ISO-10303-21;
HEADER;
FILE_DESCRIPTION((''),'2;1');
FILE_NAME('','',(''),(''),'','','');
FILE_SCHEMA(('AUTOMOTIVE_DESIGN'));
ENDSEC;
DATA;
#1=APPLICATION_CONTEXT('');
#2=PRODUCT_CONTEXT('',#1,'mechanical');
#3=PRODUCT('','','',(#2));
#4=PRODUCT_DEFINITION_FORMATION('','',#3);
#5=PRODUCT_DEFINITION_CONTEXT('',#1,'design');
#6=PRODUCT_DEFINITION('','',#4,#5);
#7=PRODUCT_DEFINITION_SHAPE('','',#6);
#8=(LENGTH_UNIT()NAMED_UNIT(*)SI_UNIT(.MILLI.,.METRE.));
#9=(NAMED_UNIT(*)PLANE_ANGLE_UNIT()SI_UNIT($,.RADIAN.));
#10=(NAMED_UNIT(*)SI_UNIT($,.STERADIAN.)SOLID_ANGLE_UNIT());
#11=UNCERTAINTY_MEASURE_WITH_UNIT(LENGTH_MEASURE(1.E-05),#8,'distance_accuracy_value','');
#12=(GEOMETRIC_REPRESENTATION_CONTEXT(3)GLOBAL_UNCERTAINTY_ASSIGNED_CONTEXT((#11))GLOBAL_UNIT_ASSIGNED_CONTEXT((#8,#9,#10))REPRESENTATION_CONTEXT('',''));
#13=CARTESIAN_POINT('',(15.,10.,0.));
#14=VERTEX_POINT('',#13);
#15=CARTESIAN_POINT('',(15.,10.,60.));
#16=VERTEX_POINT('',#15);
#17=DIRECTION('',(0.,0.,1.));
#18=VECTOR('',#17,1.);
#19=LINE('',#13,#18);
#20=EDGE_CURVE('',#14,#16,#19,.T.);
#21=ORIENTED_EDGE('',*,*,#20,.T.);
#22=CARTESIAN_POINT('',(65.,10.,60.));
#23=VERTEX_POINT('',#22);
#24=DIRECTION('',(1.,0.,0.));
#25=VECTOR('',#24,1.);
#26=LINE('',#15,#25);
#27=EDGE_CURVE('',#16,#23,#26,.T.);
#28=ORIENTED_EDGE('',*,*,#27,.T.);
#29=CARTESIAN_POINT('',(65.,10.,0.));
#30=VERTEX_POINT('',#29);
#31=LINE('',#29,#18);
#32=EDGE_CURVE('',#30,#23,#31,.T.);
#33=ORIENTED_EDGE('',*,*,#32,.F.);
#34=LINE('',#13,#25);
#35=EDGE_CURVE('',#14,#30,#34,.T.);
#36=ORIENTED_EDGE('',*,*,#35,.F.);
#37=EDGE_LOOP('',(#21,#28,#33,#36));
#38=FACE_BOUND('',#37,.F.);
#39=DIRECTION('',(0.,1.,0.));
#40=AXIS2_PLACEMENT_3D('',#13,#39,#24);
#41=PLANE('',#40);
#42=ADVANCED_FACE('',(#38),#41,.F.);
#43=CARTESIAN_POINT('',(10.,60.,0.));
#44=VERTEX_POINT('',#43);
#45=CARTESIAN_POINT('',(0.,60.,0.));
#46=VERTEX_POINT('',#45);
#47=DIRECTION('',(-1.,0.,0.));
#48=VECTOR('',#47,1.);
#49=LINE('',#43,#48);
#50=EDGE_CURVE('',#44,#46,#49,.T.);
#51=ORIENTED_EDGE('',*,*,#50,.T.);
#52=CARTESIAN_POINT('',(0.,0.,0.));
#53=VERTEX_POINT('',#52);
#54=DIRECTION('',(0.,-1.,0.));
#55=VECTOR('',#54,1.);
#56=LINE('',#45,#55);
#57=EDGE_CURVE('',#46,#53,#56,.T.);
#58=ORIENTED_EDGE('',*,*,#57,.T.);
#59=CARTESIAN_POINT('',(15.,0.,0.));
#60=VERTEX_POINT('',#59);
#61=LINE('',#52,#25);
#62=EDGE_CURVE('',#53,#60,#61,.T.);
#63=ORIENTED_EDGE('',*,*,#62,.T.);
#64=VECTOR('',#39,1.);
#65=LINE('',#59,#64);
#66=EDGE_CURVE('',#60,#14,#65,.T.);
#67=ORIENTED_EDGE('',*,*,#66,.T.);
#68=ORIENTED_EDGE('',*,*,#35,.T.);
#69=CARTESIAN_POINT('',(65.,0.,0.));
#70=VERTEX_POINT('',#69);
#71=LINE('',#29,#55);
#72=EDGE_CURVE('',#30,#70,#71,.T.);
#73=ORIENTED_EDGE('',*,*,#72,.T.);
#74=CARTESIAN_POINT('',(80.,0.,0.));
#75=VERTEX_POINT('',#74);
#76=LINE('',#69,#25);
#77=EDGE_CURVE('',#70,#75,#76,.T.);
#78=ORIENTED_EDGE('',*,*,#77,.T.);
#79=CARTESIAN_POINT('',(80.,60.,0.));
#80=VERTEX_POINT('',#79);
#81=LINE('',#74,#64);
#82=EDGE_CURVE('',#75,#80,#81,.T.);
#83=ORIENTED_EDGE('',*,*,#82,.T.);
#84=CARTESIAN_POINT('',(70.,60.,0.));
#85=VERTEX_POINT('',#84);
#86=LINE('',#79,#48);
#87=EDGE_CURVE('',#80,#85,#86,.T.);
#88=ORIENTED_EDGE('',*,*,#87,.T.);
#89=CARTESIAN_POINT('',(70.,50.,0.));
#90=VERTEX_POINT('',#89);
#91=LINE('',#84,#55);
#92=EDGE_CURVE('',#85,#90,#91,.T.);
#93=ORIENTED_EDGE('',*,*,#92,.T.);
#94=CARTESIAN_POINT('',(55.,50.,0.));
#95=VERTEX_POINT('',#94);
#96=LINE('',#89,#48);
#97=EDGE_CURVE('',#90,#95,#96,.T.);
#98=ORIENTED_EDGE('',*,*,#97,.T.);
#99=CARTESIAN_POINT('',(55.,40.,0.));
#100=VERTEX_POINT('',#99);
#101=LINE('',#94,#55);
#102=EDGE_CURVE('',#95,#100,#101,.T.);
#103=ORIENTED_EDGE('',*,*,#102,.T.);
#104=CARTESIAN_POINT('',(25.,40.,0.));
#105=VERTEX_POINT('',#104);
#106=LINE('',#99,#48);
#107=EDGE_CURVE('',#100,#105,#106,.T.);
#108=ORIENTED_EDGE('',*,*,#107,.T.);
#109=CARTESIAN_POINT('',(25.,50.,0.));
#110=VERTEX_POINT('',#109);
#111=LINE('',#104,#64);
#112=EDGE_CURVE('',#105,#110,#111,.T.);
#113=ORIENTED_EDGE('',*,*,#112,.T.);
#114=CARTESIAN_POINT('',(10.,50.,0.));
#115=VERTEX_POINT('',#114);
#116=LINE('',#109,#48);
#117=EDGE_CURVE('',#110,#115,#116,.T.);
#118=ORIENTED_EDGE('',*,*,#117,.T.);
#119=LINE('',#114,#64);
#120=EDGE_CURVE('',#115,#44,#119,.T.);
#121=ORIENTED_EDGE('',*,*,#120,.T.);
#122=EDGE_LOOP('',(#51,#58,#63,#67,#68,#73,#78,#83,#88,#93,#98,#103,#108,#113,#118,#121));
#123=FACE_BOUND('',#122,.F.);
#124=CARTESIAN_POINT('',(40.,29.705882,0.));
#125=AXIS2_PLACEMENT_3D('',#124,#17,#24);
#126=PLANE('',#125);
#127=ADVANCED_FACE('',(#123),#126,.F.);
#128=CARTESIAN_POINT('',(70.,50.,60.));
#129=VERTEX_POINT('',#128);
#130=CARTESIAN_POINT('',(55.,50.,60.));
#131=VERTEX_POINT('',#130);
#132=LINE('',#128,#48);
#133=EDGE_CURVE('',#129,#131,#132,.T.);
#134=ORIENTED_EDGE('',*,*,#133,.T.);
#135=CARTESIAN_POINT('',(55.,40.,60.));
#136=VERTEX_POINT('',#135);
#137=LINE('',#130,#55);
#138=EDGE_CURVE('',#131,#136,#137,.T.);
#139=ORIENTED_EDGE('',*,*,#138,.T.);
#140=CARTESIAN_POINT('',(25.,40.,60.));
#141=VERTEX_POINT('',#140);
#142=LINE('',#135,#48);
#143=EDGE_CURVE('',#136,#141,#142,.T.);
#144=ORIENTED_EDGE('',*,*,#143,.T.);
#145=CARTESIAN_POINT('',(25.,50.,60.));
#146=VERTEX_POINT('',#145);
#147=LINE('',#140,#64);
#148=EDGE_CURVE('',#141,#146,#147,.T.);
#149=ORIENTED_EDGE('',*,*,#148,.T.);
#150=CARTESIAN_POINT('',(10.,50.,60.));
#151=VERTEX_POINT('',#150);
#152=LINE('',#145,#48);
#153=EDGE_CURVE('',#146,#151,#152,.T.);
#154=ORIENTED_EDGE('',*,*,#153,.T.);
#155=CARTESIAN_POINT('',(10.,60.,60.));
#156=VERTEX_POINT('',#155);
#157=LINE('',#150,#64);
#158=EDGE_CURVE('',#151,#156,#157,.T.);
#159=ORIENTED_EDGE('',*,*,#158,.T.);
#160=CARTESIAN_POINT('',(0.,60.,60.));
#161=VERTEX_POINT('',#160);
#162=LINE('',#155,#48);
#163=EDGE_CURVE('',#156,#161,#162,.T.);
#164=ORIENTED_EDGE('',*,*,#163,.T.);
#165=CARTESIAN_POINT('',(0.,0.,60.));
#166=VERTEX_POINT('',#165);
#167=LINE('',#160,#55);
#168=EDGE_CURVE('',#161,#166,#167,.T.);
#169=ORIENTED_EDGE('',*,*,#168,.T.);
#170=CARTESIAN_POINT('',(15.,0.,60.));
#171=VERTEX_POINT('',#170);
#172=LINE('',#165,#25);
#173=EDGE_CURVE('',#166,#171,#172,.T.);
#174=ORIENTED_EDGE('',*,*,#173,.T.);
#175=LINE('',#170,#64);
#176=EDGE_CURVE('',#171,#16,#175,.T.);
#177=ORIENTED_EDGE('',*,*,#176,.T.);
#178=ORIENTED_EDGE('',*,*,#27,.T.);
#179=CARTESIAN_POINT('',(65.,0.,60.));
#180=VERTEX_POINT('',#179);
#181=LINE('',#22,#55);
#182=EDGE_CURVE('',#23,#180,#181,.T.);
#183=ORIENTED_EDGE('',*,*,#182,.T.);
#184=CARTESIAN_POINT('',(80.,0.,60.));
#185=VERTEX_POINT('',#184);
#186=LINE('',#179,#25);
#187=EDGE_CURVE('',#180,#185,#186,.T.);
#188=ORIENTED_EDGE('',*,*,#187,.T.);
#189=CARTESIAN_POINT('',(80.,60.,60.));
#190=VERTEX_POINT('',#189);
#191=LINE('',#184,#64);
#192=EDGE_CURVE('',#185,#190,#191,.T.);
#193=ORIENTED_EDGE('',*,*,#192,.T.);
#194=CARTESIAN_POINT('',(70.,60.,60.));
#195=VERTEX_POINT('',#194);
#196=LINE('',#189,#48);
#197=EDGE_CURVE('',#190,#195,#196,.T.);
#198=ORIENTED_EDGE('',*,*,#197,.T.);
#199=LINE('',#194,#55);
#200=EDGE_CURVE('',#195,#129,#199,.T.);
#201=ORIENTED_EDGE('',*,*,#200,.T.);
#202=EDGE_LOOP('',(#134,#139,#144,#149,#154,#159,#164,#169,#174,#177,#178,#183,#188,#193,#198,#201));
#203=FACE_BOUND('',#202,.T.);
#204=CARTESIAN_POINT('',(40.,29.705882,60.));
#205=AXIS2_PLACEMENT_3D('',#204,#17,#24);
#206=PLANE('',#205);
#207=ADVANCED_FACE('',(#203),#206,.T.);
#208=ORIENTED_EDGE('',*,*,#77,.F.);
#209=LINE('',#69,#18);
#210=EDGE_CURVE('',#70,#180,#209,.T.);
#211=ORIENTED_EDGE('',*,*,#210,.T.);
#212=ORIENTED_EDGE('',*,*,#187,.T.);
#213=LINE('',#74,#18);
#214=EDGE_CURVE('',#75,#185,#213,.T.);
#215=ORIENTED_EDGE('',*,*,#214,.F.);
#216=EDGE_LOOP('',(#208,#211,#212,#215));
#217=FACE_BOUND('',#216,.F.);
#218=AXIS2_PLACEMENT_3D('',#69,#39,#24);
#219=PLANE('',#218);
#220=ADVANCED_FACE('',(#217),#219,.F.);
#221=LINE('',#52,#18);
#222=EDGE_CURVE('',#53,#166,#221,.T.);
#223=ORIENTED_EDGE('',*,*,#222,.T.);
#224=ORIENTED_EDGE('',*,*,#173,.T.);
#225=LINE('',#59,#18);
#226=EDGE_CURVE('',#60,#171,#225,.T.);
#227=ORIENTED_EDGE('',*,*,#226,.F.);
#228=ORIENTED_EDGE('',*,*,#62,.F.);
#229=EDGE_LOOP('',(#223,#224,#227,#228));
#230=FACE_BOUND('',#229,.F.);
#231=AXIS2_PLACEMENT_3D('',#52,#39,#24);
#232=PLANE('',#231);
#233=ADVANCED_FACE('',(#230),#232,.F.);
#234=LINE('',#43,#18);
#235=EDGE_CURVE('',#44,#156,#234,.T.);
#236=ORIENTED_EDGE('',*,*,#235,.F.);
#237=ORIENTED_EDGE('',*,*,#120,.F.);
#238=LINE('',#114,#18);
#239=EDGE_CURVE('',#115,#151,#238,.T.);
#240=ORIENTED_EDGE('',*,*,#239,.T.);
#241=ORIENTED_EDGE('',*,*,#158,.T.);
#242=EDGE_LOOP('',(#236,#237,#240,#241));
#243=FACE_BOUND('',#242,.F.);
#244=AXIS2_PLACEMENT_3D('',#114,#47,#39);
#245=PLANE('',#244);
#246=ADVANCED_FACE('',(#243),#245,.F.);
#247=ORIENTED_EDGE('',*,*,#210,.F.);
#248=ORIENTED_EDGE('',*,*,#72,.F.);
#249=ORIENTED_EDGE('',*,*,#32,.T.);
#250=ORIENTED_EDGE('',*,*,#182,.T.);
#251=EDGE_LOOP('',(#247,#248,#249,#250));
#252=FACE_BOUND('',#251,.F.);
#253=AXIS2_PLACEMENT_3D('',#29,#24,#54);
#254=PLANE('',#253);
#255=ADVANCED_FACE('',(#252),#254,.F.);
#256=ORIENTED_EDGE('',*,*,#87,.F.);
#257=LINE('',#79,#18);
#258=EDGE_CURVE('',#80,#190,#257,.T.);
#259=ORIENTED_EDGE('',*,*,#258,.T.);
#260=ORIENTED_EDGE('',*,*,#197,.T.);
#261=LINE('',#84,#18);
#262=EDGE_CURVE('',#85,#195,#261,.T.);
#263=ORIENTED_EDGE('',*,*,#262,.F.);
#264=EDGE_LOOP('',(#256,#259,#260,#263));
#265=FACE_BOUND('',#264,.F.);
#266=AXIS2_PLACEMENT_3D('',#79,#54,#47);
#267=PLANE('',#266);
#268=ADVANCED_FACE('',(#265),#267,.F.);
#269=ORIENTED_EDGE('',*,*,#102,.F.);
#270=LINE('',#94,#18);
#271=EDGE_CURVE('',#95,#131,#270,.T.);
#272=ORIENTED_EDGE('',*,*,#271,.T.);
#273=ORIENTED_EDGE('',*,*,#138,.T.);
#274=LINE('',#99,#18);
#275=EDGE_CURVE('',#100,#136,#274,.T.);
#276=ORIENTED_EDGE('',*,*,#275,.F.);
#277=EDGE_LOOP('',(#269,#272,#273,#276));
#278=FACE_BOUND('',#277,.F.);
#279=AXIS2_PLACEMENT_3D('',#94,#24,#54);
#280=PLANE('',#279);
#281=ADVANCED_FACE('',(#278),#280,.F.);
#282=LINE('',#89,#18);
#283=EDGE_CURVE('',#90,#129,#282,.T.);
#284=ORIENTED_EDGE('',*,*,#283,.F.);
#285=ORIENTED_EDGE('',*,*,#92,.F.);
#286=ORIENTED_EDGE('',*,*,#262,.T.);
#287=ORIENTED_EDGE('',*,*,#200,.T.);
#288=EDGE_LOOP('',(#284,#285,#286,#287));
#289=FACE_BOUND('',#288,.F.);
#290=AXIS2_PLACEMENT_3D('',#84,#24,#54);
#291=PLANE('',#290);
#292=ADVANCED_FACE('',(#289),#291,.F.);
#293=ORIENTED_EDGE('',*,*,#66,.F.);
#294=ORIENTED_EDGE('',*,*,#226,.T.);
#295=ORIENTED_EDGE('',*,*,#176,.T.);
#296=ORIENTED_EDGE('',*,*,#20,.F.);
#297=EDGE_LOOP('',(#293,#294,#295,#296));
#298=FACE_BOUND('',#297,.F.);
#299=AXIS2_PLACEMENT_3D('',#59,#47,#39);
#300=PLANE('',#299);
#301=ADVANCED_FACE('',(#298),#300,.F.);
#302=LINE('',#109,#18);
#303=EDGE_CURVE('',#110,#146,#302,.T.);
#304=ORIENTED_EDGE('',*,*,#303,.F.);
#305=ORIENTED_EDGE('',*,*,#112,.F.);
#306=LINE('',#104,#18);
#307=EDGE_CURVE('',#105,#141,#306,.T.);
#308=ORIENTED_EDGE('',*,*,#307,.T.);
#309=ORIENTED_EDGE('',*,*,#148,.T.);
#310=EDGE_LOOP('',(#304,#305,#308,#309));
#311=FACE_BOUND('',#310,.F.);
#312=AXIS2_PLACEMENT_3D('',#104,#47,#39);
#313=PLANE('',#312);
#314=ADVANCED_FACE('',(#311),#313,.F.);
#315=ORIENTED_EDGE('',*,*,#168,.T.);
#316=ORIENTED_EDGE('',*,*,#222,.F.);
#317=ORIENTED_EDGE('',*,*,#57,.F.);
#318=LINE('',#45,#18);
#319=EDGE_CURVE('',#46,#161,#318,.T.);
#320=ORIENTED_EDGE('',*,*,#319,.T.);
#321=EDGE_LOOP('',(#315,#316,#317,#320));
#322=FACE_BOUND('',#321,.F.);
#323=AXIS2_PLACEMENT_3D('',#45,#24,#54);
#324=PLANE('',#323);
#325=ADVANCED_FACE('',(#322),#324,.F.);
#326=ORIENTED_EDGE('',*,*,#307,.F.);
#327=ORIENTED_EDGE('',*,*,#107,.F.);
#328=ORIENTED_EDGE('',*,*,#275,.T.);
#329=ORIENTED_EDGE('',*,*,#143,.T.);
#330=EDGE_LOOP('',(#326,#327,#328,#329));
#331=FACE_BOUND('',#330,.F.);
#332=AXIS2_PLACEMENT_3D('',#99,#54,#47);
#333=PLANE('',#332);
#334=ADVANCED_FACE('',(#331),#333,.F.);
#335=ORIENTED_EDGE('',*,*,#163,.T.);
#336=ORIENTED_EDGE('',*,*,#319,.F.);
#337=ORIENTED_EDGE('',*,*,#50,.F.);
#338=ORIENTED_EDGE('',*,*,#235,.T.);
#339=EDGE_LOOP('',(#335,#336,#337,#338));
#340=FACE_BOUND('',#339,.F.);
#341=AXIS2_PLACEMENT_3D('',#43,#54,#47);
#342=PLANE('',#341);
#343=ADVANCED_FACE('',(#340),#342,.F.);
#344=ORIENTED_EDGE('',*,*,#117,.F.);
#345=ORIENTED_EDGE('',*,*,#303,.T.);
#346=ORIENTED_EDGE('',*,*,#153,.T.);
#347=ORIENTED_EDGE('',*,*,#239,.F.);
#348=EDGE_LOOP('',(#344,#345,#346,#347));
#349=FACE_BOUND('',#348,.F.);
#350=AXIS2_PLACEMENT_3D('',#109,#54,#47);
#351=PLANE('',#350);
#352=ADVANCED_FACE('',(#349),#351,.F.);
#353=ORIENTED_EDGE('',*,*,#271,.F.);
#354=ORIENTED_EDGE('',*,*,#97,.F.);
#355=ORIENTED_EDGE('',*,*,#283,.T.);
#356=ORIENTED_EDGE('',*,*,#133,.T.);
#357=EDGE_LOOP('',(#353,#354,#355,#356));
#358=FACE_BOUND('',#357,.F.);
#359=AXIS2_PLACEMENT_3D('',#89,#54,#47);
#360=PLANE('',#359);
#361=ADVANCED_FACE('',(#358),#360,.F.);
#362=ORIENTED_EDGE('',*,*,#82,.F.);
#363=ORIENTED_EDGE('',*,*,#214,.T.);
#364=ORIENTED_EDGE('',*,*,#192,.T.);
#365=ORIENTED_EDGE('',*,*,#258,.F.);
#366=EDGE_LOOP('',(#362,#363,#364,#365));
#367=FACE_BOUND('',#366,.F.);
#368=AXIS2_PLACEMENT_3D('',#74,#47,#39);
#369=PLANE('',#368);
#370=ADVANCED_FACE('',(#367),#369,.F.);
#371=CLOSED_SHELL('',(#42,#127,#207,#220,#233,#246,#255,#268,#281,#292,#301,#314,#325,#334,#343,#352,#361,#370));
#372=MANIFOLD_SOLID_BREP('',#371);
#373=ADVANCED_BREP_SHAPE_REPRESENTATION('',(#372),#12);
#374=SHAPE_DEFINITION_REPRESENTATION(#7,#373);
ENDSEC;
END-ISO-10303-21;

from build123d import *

# Parameters (mm, degrees)
F1_DEPTH = 60


with BuildPart() as f1:
    # F0 (on Top) → F1 (new body)
    with BuildSketch(Plane.XY):
        Polygon((0, 60), (0, 0), (15, 0), (15, 10), (65, 10), (65, 0), (80, 0), (80, 60), (70, 60), (70, 50), (55, 50), (55, 40), (25, 40), (25, 50), (10, 50), (10, 60), align=None)
    extrude(amount=F1_DEPTH)


solid = f1.part
